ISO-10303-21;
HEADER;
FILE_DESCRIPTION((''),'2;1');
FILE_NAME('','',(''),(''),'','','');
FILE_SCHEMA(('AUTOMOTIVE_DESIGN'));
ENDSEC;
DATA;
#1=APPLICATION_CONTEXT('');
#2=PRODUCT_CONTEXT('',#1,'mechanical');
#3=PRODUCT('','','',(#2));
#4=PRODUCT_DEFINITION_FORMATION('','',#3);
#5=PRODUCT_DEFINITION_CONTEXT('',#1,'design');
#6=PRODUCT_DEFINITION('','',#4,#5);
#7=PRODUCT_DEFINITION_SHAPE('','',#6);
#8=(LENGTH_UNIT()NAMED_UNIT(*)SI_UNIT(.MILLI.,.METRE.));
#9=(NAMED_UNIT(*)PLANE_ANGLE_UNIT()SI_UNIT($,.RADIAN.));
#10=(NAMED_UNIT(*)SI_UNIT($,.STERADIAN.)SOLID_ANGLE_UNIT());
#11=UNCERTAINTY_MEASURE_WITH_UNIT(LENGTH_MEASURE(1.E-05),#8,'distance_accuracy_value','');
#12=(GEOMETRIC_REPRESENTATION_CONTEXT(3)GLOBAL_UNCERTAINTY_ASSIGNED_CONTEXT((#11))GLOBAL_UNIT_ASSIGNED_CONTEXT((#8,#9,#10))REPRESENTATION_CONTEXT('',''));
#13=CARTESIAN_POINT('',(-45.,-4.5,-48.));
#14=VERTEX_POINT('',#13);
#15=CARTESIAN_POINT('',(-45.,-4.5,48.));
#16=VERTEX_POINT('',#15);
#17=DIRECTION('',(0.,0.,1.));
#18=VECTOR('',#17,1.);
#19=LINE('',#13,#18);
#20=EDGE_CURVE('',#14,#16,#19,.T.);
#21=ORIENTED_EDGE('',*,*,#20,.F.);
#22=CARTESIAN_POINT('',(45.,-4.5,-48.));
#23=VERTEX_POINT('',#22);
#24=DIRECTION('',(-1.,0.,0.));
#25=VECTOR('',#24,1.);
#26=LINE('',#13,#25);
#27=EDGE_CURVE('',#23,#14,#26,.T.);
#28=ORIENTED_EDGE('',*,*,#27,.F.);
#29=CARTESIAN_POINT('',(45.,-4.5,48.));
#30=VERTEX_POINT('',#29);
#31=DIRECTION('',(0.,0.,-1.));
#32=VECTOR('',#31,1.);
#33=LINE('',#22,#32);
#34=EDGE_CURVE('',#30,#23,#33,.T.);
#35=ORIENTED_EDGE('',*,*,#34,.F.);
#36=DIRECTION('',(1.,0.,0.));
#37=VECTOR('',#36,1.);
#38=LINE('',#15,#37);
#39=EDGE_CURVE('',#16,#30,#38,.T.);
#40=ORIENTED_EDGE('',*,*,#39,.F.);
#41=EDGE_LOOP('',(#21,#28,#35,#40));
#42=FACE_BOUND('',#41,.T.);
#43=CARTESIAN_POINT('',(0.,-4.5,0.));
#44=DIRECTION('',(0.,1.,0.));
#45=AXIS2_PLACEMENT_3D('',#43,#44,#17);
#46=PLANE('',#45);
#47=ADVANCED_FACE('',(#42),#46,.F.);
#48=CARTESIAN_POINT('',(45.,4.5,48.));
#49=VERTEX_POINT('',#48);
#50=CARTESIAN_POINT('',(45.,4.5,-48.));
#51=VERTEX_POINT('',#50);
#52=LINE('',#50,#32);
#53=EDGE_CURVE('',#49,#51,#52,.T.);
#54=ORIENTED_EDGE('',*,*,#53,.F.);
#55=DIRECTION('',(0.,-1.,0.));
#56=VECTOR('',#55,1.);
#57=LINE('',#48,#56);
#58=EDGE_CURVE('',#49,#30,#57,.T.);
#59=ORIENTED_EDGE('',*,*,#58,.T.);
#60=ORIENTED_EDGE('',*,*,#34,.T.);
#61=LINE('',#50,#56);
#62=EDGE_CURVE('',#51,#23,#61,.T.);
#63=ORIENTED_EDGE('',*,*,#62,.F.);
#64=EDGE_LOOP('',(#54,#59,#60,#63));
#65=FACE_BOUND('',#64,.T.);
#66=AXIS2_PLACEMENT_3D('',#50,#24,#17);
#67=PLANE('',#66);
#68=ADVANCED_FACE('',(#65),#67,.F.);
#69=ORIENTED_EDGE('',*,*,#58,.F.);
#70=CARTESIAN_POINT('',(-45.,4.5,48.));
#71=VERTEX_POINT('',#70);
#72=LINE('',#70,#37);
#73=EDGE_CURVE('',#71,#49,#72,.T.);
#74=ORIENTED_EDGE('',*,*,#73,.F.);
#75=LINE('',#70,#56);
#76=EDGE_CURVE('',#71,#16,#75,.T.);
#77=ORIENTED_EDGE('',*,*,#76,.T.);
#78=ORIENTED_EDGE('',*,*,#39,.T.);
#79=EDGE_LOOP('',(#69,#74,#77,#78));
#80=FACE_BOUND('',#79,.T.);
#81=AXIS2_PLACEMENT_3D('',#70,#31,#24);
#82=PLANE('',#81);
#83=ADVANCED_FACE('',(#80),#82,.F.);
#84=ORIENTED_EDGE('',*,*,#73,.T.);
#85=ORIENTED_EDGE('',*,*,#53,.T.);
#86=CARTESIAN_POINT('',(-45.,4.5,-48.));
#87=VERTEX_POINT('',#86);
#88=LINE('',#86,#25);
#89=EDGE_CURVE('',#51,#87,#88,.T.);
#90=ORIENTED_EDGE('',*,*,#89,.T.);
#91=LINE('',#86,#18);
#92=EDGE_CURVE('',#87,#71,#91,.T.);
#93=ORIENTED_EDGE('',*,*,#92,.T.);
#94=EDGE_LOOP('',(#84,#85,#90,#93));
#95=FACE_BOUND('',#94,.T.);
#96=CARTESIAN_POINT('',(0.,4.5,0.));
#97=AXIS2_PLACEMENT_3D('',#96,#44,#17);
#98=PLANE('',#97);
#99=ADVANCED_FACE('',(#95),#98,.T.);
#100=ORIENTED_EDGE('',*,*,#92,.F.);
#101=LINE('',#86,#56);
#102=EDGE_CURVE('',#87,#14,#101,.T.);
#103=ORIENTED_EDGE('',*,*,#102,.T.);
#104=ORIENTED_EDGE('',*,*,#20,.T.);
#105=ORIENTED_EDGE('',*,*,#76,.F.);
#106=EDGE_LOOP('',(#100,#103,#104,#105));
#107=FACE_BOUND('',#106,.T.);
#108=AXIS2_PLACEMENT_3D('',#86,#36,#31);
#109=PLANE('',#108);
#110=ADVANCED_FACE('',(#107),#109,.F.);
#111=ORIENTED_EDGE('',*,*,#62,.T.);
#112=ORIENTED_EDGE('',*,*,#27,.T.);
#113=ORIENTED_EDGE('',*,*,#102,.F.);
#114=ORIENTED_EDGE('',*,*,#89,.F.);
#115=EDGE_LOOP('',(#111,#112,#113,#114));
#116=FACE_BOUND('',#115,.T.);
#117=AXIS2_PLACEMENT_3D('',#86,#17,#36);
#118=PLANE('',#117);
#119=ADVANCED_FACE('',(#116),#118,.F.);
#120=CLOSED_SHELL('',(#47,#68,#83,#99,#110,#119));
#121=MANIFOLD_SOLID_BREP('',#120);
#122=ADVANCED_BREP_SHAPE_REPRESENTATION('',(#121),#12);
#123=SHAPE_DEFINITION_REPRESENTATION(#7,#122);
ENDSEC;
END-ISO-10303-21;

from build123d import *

# Parameters (mm, degrees)
SKETCH1_W           = 90
SKETCH1_H           = 96
BOSS_EXTRUDE1_DEPTH = 4.5


with BuildPart() as part:
    # Sketch1 → Boss-Extrude1 (new body, symmetric)
    with BuildSketch(Plane(origin=(0, 0, 0), x_dir=(1, 0, 0), z_dir=(0, 1, 0))):
        Rectangle(SKETCH1_W, SKETCH1_H)
    extrude(amount=BOSS_EXTRUDE1_DEPTH, both=True)


solid = part.part
